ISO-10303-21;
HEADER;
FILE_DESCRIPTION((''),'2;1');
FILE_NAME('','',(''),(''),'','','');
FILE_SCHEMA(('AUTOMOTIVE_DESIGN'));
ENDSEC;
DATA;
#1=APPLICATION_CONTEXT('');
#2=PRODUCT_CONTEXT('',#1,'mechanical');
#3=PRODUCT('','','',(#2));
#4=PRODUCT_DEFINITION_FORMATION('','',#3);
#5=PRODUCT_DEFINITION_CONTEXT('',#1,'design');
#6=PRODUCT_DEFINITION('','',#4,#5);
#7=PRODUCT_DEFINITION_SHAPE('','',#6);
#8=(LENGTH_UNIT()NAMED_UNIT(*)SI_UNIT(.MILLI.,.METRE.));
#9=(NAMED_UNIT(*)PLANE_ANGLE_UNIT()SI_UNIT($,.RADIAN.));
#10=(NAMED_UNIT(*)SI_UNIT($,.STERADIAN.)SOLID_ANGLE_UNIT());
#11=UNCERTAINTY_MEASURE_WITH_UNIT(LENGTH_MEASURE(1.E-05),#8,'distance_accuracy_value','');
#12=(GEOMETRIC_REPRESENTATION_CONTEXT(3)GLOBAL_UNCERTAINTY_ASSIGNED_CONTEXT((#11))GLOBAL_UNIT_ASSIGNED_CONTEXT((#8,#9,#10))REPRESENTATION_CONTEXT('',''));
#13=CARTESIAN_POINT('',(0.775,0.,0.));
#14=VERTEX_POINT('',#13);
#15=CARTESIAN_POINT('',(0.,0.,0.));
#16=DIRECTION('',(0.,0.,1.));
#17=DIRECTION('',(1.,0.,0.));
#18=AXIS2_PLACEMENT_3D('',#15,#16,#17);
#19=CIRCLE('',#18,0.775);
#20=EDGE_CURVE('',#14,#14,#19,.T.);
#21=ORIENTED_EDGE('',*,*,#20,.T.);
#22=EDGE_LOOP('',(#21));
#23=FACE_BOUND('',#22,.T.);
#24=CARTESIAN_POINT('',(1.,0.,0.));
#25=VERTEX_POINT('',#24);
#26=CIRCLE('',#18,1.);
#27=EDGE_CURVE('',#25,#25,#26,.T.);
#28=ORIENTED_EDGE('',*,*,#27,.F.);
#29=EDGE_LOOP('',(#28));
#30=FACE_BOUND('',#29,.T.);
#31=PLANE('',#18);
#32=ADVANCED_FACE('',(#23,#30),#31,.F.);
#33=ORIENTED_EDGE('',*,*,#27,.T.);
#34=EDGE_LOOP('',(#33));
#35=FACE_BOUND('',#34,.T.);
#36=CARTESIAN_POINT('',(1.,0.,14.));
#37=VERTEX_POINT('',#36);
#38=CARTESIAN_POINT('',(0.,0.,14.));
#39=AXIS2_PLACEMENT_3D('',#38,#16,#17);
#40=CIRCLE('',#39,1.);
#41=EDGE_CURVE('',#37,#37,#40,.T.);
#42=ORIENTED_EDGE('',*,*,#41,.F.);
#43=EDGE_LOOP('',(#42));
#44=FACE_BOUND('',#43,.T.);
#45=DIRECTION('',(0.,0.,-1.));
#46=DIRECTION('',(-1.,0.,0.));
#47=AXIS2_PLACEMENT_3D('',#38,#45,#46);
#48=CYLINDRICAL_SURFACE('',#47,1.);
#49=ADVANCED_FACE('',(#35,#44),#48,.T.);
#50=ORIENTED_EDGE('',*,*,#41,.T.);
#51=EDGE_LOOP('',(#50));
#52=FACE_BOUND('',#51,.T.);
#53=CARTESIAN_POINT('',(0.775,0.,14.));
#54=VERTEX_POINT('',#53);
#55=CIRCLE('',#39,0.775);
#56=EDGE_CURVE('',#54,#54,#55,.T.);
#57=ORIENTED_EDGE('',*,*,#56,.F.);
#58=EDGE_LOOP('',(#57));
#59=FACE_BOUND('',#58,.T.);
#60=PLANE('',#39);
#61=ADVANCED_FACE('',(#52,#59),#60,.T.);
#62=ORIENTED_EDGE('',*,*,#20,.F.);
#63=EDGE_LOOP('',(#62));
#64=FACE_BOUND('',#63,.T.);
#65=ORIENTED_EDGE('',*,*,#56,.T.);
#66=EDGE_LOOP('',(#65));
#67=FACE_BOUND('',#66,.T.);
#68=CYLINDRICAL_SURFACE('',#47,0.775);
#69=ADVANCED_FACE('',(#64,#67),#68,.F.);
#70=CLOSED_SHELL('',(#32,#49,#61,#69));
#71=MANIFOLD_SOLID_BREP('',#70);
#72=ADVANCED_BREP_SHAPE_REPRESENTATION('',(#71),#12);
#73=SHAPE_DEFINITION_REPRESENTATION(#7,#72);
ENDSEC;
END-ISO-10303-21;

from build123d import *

# Parameters (mm, degrees)
SKETCH_1_R      = 1
SKETCH_1_R_2    = 0.775
EXTRUDE_1_DEPTH = 14


with BuildPart() as part:
    # Эскиз1 → Бобышка-Вытянуть1 (new body)
    with BuildSketch(Plane.XY):
        Circle(SKETCH_1_R)
        Circle(SKETCH_1_R_2, mode=Mode.SUBTRACT)
    extrude(amount=EXTRUDE_1_DEPTH)


solid = part.part
